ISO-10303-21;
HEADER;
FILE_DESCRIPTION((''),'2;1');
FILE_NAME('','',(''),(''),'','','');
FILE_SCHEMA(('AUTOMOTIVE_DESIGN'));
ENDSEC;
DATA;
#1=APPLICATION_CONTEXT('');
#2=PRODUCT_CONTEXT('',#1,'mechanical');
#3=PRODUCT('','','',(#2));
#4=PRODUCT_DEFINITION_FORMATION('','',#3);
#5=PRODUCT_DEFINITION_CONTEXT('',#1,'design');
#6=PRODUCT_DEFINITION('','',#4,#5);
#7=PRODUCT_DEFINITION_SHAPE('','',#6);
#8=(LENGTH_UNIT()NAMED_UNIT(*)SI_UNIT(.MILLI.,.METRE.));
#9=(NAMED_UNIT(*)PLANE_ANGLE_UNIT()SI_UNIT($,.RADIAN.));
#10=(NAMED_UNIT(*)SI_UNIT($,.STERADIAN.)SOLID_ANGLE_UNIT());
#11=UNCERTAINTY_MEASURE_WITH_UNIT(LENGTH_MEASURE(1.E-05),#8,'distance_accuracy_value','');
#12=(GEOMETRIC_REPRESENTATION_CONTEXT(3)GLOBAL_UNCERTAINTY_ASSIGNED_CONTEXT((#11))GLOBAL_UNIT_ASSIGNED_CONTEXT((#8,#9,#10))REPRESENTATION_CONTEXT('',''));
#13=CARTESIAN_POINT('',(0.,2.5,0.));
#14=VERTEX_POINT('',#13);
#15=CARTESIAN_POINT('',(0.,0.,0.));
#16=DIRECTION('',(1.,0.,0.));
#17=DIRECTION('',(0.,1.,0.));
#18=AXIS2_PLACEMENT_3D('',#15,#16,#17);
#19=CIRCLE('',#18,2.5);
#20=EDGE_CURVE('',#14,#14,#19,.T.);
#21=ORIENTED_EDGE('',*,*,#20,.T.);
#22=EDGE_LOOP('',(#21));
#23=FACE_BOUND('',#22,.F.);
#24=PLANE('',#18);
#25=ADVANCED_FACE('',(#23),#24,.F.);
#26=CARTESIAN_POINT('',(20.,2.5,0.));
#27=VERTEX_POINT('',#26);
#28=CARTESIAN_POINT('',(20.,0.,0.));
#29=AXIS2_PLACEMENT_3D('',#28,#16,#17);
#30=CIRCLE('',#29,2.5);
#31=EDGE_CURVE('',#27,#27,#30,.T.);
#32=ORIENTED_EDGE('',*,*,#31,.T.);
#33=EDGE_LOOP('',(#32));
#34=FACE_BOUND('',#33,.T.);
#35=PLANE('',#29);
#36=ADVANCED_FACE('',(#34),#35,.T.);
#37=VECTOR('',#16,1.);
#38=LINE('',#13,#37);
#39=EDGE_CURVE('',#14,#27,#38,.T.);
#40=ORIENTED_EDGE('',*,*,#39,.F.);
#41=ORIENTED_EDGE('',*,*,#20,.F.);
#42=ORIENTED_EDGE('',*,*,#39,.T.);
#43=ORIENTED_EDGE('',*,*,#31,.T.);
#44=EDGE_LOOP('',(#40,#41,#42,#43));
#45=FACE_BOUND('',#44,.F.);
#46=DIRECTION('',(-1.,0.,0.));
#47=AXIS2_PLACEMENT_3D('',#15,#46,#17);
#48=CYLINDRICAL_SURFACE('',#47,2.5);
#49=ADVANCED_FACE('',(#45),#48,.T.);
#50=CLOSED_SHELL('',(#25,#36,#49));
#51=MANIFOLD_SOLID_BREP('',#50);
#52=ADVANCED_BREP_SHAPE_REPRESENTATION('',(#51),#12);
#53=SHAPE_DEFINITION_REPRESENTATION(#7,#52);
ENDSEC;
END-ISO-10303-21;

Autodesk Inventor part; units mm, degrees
ref_plane "YZ Plane" through (0, 0, 0) normal (1, 0, 0) x (0, 1, 0)
ref_plane "XZ Plane" through (0, 0, 0) normal (0, 1, 0) x (-1, 0, 0)
ref_plane "XY Plane" through (0, 0, 0) normal (0, 0, 1) x (1, 0, 0)
sketch "Sketch1" plane through (0, 0, 0) normal (1, 0, 0) x (0, 1, 0)
  circle A0 centre (0, 0) radius 2.5
  dimension "d0" = 5
extrude "Extrusion1" add sketch "Sketch1" along normal blind 20
properties part number "Gear Rod"
